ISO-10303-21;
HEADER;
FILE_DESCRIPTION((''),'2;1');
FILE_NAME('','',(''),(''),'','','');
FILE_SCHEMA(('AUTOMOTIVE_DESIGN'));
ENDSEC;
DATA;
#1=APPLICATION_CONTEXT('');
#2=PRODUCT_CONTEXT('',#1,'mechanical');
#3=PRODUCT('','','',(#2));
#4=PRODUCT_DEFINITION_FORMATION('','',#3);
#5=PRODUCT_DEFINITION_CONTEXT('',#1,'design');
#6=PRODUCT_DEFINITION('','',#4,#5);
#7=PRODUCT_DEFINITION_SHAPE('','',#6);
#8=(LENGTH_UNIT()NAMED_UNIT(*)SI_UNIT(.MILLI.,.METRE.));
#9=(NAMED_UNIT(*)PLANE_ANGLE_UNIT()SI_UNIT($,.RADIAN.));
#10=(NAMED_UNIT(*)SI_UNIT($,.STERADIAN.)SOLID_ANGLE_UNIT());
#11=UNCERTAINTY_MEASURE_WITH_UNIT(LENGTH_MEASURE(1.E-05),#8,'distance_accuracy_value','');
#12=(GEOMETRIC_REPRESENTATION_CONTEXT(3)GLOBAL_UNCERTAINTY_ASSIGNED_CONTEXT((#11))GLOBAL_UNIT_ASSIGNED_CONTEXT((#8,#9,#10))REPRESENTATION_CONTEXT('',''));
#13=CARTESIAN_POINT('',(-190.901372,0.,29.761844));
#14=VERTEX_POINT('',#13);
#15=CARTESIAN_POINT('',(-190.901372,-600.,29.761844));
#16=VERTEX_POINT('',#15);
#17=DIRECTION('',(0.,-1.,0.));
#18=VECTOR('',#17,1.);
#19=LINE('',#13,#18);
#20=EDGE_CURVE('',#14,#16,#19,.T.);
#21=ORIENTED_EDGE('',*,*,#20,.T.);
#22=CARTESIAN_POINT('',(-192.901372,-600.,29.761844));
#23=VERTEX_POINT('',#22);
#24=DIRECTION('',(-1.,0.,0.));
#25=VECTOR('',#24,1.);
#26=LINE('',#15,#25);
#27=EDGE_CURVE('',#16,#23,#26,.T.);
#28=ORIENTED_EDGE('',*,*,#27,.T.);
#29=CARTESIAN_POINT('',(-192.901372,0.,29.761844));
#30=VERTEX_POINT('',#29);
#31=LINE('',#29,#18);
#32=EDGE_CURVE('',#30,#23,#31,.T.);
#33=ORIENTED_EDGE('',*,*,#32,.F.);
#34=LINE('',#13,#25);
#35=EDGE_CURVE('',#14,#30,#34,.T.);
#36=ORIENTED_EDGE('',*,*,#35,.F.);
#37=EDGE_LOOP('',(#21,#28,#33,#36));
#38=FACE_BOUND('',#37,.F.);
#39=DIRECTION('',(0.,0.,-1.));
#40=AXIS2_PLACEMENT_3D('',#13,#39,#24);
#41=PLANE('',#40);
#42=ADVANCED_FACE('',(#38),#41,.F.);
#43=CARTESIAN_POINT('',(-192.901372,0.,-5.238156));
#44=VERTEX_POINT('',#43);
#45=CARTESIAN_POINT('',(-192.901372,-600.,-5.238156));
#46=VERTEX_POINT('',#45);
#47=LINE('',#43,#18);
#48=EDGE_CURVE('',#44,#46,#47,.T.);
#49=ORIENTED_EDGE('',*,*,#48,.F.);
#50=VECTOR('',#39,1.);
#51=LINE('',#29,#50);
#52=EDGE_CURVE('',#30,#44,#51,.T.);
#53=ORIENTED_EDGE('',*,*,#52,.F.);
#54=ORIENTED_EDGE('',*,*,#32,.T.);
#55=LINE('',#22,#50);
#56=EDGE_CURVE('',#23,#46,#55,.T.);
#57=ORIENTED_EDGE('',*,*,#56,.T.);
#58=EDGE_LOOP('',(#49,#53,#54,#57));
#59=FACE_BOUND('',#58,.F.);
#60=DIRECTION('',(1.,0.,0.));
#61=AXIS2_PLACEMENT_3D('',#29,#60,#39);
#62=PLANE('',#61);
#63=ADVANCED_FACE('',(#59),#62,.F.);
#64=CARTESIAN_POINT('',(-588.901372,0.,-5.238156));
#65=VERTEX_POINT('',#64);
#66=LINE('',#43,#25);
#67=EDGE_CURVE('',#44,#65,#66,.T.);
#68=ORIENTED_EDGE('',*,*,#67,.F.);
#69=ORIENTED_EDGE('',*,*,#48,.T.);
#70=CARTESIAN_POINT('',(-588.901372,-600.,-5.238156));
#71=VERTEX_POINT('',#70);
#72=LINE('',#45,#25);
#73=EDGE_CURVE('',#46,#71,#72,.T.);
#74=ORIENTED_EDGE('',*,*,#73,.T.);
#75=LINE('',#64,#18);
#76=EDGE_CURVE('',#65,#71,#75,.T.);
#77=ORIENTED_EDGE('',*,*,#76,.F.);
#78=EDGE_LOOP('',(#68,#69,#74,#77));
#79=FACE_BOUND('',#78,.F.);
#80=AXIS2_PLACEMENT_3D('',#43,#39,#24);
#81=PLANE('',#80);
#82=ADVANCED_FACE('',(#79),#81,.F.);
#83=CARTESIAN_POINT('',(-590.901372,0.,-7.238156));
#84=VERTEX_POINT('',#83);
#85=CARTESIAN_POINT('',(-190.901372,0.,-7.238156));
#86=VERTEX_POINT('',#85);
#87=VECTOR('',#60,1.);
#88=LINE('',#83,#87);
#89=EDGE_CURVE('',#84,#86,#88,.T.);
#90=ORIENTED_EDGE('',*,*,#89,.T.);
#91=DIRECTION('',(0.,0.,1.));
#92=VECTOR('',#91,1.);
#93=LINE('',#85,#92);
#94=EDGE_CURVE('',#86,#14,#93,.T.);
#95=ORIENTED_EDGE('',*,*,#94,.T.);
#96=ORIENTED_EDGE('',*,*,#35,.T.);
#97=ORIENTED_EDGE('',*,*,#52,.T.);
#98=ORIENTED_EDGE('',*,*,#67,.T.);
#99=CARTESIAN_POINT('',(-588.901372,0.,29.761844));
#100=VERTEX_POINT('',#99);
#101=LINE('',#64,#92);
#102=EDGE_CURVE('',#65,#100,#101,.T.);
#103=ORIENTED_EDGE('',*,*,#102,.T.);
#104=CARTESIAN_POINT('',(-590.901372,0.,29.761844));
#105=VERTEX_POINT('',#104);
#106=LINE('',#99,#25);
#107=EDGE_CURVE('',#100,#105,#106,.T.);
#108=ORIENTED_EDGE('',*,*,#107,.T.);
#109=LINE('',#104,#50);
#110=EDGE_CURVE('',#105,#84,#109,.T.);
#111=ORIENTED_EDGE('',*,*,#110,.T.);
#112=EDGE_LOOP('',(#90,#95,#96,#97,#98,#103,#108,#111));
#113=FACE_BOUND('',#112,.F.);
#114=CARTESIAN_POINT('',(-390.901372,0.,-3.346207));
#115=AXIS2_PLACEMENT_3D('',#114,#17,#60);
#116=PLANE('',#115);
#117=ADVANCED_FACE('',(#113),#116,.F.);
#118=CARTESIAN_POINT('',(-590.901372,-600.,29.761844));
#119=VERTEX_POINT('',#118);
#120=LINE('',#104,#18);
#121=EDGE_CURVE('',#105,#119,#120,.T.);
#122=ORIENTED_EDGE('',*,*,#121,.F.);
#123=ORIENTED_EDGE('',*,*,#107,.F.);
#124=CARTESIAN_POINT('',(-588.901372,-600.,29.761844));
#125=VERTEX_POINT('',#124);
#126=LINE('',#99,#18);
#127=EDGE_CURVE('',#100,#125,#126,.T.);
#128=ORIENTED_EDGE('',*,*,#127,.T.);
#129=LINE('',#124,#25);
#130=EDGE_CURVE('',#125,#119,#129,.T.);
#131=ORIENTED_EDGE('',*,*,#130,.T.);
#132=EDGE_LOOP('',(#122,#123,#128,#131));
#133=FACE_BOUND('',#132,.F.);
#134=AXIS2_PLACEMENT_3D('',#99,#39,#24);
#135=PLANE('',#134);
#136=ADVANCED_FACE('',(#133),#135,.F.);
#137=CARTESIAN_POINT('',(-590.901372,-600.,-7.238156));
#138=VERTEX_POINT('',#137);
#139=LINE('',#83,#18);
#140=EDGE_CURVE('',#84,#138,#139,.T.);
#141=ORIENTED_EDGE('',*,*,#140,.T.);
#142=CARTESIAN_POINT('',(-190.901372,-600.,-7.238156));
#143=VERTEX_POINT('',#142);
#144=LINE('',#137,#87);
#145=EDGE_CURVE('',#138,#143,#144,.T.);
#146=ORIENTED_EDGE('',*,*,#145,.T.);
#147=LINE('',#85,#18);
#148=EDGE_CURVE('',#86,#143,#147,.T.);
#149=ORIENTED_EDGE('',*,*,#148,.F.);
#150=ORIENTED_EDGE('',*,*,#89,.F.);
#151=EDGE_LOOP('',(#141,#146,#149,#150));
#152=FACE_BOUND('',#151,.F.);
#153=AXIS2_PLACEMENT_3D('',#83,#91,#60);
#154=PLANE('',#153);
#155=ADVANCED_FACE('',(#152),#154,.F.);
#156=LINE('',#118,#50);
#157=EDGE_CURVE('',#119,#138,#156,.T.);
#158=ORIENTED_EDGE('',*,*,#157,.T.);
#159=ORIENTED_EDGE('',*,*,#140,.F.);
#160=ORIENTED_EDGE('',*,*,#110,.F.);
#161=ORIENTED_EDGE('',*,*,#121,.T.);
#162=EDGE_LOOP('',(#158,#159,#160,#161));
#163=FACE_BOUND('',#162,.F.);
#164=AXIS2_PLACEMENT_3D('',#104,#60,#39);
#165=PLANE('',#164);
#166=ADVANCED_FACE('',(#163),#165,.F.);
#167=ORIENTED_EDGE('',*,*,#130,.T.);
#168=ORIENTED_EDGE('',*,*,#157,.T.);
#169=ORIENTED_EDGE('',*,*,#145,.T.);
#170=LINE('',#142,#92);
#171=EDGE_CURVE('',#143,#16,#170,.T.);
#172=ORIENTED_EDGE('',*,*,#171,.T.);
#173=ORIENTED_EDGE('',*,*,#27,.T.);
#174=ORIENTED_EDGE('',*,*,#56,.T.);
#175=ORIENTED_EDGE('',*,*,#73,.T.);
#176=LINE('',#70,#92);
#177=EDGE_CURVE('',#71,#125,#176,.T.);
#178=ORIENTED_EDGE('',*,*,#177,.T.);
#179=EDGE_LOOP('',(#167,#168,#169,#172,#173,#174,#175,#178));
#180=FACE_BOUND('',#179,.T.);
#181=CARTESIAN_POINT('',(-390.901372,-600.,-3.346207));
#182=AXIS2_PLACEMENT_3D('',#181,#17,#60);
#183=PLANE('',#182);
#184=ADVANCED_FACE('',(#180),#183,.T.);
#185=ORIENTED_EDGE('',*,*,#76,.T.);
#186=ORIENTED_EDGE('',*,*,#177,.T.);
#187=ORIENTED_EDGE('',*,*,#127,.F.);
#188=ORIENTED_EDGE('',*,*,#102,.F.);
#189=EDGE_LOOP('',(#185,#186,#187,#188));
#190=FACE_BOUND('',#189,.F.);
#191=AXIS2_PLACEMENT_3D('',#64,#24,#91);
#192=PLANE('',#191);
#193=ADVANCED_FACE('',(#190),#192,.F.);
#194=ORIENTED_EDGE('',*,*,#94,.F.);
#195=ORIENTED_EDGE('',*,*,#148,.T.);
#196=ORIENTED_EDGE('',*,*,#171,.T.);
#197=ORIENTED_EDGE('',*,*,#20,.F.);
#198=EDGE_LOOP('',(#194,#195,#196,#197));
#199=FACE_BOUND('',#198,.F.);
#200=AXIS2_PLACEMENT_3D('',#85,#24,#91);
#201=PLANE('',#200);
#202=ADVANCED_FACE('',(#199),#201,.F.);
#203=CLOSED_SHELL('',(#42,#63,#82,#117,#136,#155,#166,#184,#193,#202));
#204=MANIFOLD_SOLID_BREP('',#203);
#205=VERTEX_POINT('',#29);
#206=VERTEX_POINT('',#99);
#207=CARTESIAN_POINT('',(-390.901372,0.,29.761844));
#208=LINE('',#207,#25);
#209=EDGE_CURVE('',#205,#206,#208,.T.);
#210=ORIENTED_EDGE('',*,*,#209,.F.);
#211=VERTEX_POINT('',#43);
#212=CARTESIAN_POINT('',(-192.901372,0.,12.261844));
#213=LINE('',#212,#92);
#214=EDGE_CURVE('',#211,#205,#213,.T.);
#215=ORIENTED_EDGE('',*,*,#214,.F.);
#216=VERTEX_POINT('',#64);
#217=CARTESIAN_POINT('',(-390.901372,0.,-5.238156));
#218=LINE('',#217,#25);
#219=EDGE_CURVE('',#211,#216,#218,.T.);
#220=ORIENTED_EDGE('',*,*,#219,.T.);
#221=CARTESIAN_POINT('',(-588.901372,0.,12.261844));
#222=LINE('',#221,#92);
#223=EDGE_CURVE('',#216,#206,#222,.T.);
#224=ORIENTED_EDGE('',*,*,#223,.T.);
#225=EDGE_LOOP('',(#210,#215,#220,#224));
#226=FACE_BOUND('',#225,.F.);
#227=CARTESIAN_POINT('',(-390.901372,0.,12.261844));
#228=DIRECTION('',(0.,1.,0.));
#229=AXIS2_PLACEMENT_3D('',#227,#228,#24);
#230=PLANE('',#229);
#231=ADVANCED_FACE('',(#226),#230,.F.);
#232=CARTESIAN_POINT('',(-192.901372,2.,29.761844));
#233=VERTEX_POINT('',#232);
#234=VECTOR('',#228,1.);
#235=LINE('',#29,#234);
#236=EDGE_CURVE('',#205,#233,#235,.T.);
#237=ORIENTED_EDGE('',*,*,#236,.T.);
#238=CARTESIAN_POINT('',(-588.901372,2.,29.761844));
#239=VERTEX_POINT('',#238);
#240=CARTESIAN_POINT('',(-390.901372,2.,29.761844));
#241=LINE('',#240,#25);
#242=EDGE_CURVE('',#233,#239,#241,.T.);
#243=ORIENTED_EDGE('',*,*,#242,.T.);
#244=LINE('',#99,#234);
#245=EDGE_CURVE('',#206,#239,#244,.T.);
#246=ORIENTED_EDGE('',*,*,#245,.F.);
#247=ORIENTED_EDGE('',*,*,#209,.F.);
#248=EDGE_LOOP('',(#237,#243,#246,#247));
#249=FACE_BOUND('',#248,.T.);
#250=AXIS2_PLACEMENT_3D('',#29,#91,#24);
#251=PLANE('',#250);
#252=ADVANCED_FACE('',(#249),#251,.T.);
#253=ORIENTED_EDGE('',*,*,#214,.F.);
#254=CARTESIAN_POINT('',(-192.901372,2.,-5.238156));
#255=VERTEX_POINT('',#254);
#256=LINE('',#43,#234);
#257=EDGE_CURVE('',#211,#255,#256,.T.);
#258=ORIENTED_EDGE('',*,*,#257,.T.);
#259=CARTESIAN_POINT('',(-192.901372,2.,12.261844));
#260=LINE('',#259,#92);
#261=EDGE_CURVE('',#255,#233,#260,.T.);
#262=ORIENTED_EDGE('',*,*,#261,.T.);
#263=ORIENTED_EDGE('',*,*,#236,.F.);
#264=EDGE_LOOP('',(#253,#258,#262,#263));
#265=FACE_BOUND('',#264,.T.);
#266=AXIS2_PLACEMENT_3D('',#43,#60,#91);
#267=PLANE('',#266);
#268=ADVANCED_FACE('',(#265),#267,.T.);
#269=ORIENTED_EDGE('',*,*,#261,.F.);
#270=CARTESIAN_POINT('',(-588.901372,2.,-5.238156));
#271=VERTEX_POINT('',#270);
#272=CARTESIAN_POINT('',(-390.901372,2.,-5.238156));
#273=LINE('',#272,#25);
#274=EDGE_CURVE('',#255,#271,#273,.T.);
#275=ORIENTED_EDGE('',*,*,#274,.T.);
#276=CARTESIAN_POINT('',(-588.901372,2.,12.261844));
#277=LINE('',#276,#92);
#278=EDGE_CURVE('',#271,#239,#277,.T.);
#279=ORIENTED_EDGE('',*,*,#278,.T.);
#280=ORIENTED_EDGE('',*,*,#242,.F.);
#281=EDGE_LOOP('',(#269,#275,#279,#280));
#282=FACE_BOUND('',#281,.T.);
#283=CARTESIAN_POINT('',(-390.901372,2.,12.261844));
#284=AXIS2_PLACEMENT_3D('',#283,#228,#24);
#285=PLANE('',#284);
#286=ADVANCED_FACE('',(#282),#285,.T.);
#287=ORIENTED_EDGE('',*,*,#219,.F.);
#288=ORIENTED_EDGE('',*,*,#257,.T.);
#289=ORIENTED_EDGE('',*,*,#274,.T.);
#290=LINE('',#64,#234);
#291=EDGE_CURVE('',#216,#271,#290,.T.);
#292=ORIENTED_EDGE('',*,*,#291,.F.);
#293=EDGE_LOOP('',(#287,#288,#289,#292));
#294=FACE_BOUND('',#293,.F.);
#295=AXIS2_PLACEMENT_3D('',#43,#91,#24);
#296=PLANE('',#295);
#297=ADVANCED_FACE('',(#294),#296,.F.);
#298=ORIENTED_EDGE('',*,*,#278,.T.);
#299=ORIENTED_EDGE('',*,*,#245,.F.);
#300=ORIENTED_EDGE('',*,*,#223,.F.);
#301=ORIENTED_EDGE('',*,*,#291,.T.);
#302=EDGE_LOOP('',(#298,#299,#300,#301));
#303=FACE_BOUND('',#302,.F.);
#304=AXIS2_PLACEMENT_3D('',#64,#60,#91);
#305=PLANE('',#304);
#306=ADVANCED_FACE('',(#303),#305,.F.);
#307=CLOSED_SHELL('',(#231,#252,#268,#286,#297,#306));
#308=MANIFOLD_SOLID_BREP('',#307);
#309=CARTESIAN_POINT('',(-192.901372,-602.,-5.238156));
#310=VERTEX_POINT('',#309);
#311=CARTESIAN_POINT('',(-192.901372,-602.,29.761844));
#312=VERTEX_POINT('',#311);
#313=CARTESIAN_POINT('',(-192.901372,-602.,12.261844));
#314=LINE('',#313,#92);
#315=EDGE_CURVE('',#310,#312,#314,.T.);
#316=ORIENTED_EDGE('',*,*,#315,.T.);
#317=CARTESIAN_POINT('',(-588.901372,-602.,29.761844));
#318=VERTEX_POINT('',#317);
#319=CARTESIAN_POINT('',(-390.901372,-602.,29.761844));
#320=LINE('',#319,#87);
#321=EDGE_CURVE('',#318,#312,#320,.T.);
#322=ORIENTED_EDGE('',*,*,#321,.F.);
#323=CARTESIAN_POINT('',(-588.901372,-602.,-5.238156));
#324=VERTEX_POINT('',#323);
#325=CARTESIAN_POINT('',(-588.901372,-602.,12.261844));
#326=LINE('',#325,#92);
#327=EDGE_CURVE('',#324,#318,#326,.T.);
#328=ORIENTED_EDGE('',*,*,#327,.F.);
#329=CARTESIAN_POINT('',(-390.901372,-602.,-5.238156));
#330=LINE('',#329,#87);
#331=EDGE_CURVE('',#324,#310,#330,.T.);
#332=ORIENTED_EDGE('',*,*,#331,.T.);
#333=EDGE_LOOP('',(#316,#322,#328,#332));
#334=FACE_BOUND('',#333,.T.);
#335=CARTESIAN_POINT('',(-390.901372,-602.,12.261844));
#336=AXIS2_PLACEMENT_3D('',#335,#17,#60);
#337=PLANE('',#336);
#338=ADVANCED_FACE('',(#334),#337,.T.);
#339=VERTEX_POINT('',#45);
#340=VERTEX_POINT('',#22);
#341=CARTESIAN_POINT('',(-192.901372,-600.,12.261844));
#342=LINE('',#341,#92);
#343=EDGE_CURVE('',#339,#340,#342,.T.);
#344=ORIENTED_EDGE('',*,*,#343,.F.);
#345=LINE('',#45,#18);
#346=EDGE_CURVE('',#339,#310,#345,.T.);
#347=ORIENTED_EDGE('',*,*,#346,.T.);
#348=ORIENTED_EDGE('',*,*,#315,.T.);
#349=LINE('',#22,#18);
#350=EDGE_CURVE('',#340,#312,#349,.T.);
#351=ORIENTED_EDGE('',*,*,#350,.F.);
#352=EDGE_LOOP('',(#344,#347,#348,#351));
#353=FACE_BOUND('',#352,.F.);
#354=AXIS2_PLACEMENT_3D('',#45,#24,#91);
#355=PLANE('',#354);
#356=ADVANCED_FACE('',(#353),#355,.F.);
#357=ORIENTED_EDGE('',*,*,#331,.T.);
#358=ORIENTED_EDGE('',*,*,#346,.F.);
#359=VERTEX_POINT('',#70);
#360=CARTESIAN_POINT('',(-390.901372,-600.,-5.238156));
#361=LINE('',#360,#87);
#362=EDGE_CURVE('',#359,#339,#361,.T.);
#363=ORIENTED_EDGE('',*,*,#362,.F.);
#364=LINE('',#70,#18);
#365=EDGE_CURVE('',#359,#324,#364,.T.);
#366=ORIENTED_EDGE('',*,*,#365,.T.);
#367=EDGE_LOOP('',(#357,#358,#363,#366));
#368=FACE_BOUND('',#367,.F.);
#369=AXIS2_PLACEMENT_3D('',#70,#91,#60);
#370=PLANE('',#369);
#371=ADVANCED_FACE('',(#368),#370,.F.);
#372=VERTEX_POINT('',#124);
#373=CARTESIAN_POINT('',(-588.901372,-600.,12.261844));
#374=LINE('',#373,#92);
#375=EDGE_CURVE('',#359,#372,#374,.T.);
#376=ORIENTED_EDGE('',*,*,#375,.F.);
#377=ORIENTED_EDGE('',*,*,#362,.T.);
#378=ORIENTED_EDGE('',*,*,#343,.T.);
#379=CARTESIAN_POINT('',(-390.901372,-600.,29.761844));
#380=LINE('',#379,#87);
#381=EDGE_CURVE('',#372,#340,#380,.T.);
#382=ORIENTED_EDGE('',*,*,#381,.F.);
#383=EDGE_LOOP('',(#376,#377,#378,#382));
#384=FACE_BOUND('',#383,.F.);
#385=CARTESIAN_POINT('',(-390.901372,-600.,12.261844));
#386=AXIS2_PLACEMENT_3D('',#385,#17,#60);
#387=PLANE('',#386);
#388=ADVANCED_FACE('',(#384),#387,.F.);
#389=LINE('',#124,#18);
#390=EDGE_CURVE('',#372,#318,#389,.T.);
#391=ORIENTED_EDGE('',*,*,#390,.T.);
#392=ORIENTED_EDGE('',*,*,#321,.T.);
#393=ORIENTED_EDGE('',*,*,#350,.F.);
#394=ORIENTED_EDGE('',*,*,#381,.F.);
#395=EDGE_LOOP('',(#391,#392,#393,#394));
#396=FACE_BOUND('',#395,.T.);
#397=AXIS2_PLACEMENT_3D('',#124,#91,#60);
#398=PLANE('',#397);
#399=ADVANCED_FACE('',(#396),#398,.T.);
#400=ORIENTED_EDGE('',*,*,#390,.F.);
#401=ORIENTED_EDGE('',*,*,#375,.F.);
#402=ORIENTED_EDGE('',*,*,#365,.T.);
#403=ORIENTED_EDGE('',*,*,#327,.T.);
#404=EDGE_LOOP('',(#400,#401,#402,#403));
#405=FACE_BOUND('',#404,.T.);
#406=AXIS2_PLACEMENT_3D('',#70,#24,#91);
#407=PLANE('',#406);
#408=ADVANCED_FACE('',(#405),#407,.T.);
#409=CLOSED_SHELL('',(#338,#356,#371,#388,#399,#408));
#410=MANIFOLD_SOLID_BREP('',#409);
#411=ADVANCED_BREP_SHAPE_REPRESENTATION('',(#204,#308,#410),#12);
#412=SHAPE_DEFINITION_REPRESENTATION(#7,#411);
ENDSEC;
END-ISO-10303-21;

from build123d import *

# Parameters (mm, degrees)
F1_DEPTH = 600
F2_W     = 396
F2_H     = 35
F3_DEPTH = 2
F4_W     = 396
F4_H     = 35
F5_DEPTH = 2


with BuildPart() as f1:
    # F0 (on Front) → F1 (new body)
    with BuildSketch(Plane.XZ):
        Polygon((-192.9013718367, -5.2381562442), (-588.9013718367, -5.2381562442), (-588.9013718367, 29.7618437558), (-590.9013718367, 29.7618437558), (-590.9013718367, -5.2381562442), (-590.9013718367, -7.2381562442), (-190.9013718367, -7.2381562442), (-190.9013718367, -5.2381562442), (-190.9013718367, 29.7618437558), (-192.9013718367, 29.7618437558), align=None)
    extrude(amount=F1_DEPTH)


with BuildPart() as f3:
    # F2 (on face) → F3 (new body)
    with BuildSketch(Plane.XZ.offset(600)):
        with Locations((-390.9013718367, 12.2618437558)):
            Rectangle(F2_W, F2_H)
    extrude(amount=F3_DEPTH)


with BuildPart() as f5:
    # F4 (on face) → F5 (new body)
    with BuildSketch(Plane(origin=(0, 0, 0), x_dir=(-1, 0, 0), z_dir=(0, 1, 0))):
        with Locations((390.9013718367, 12.2618437558)):
            Rectangle(F4_W, F4_H)
    extrude(amount=F5_DEPTH)


solid = Compound([f1.part, f3.part, f5.part])
